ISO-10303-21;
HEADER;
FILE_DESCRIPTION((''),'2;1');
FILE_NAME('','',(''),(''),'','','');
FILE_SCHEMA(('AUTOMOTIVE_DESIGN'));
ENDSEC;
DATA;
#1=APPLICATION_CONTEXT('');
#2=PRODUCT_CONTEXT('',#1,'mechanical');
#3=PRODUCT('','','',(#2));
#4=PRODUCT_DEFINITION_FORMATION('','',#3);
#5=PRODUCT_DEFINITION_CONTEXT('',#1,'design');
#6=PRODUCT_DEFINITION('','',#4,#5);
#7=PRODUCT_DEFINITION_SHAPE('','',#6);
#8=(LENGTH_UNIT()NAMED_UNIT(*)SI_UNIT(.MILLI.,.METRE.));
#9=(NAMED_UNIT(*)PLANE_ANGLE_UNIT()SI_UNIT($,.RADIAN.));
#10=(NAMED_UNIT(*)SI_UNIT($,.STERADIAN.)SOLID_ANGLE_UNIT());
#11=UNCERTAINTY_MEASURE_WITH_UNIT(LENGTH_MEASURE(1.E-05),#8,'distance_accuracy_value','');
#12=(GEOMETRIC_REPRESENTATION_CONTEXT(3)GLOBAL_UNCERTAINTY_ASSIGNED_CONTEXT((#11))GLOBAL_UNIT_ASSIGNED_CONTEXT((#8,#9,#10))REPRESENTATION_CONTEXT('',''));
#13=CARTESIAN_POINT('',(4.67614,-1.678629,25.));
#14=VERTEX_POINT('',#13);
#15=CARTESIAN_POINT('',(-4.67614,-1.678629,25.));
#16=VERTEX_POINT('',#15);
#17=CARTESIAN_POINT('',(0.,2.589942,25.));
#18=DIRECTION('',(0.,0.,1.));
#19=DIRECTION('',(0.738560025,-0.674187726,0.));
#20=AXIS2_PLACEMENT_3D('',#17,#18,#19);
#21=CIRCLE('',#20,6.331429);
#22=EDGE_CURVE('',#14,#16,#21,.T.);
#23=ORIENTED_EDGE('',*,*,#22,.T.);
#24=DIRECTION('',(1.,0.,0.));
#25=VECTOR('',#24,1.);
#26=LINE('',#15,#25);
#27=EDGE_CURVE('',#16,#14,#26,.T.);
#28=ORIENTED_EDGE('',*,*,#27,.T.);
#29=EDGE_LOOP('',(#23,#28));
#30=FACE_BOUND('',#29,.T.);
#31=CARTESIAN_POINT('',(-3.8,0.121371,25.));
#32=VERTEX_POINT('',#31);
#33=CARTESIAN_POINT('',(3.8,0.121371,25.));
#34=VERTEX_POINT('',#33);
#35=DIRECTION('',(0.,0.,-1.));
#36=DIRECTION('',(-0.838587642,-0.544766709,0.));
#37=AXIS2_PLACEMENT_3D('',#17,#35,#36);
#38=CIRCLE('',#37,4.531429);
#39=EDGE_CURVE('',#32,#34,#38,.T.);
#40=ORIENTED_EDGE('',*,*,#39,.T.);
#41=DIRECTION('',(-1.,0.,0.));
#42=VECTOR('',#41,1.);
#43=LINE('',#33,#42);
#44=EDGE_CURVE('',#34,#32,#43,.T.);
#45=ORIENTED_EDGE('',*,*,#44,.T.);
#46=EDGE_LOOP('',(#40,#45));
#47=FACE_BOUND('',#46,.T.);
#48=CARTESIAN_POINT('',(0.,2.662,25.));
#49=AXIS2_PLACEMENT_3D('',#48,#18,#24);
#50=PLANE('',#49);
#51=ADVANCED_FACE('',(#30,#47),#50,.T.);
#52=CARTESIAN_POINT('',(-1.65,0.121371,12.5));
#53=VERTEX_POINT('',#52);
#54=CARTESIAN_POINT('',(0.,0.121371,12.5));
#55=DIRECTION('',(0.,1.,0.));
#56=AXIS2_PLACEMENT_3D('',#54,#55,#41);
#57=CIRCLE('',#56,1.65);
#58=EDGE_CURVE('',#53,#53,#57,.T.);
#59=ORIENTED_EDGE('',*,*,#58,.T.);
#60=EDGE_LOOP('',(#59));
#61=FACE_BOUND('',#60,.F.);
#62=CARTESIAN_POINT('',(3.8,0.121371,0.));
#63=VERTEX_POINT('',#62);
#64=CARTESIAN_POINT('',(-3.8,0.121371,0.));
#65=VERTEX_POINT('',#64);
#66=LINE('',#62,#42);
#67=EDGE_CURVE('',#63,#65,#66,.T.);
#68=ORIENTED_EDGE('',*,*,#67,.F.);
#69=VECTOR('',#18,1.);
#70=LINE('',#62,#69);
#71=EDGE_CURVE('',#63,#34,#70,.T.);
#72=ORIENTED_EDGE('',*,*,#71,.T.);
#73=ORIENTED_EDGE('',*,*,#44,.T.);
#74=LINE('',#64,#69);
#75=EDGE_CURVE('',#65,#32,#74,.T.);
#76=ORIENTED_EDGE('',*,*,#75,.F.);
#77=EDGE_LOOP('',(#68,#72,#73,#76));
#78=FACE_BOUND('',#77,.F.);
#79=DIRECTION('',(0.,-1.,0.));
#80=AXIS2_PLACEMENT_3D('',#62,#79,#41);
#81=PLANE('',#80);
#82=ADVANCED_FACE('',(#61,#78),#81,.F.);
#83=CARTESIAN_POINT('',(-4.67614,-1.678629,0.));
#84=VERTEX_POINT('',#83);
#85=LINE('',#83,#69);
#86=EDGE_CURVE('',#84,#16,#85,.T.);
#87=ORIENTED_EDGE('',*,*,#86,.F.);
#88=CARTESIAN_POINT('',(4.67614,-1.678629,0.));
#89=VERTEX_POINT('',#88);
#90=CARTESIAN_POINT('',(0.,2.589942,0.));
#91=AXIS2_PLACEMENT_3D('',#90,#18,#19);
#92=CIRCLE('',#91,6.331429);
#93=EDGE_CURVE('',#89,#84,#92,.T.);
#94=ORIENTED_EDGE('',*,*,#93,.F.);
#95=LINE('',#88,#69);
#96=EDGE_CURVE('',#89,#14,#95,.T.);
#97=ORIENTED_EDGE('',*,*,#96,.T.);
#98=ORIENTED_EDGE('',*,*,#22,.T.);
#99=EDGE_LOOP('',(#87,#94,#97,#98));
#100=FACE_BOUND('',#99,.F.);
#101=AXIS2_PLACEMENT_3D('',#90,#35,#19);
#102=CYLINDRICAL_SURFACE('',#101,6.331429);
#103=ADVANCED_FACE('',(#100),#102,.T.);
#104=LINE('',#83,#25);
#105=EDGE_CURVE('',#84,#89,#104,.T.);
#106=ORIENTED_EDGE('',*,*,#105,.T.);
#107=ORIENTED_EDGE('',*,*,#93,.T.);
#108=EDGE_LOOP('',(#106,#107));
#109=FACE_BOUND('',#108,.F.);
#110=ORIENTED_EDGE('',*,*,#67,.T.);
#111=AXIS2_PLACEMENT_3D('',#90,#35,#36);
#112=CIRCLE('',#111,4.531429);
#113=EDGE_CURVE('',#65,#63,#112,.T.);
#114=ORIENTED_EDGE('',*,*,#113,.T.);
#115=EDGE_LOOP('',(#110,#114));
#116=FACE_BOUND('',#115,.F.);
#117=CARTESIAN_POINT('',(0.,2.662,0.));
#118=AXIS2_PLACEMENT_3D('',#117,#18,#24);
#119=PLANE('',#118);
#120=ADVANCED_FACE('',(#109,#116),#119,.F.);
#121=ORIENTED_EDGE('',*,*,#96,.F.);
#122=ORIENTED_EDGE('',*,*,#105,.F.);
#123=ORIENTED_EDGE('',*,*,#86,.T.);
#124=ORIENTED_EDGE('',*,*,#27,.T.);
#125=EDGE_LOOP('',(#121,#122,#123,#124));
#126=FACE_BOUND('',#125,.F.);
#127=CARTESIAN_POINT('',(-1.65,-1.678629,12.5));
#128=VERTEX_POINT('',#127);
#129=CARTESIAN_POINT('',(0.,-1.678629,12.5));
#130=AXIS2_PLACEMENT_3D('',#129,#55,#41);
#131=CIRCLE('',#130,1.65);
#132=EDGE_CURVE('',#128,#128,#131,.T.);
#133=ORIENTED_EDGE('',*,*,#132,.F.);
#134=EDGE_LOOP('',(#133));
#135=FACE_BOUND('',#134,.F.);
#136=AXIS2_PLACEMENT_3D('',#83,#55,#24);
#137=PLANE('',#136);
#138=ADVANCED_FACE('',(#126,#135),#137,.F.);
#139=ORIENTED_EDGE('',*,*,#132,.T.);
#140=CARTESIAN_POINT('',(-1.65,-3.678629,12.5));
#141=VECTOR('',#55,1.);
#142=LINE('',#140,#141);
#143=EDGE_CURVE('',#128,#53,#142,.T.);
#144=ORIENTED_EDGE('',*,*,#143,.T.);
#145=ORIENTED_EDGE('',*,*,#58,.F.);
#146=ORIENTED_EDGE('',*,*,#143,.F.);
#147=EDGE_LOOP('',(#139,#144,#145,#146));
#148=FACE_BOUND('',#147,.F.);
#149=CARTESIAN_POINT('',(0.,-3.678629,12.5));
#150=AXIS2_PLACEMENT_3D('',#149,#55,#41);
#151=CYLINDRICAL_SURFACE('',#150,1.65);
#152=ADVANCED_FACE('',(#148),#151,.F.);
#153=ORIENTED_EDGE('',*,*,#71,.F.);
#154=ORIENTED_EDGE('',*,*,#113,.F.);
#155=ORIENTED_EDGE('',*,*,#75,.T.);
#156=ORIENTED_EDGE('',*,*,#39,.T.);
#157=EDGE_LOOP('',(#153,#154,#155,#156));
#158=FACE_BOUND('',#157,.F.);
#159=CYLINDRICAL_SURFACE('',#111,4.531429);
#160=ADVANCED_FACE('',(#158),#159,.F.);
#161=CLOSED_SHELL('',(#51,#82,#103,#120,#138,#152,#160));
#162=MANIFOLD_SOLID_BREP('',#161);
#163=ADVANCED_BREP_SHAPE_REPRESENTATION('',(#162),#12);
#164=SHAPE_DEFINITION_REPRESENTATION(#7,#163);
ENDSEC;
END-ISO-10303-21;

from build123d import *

# Parameters (mm, degrees)
F1_DEPTH = 25
F3_D     = 3.3
F3_DEPTH = 2
F3_TIP   = 0.9914200214


with BuildPart() as f1:
    # F0 (on Top) → F1 (new body)
    with BuildSketch(Plane.XY):
        with BuildLine():
            Line((-4.6761400443, -1.6786290068), (4.6761400443, -1.6786290068))
            ThreePointArc((4.6761400443, -1.6786290068), (0, 8.9213709932), (-4.6761400443, -1.6786290068))
        make_face()
        with BuildLine():
            Line((3.8, 0.1213709932), (-3.8, 0.1213709932))
            ThreePointArc((-3.8, 0.1213709932), (0, 7.1213709932), (3.8, 0.1213709932))
        make_face(mode=Mode.SUBTRACT)
    extrude(amount=F1_DEPTH)

    # F3
    with Locations(Plane.XZ.offset(1.6786290068)):
        with Locations((0, 12.5)):
            Hole(F3_D / 2, depth=F3_DEPTH)
            with Locations((0, 0, -(F3_DEPTH + F3_TIP / 2))):  # 118° drill point
                Cone(0, F3_D / 2, F3_TIP, mode=Mode.SUBTRACT)


solid = f1.part
